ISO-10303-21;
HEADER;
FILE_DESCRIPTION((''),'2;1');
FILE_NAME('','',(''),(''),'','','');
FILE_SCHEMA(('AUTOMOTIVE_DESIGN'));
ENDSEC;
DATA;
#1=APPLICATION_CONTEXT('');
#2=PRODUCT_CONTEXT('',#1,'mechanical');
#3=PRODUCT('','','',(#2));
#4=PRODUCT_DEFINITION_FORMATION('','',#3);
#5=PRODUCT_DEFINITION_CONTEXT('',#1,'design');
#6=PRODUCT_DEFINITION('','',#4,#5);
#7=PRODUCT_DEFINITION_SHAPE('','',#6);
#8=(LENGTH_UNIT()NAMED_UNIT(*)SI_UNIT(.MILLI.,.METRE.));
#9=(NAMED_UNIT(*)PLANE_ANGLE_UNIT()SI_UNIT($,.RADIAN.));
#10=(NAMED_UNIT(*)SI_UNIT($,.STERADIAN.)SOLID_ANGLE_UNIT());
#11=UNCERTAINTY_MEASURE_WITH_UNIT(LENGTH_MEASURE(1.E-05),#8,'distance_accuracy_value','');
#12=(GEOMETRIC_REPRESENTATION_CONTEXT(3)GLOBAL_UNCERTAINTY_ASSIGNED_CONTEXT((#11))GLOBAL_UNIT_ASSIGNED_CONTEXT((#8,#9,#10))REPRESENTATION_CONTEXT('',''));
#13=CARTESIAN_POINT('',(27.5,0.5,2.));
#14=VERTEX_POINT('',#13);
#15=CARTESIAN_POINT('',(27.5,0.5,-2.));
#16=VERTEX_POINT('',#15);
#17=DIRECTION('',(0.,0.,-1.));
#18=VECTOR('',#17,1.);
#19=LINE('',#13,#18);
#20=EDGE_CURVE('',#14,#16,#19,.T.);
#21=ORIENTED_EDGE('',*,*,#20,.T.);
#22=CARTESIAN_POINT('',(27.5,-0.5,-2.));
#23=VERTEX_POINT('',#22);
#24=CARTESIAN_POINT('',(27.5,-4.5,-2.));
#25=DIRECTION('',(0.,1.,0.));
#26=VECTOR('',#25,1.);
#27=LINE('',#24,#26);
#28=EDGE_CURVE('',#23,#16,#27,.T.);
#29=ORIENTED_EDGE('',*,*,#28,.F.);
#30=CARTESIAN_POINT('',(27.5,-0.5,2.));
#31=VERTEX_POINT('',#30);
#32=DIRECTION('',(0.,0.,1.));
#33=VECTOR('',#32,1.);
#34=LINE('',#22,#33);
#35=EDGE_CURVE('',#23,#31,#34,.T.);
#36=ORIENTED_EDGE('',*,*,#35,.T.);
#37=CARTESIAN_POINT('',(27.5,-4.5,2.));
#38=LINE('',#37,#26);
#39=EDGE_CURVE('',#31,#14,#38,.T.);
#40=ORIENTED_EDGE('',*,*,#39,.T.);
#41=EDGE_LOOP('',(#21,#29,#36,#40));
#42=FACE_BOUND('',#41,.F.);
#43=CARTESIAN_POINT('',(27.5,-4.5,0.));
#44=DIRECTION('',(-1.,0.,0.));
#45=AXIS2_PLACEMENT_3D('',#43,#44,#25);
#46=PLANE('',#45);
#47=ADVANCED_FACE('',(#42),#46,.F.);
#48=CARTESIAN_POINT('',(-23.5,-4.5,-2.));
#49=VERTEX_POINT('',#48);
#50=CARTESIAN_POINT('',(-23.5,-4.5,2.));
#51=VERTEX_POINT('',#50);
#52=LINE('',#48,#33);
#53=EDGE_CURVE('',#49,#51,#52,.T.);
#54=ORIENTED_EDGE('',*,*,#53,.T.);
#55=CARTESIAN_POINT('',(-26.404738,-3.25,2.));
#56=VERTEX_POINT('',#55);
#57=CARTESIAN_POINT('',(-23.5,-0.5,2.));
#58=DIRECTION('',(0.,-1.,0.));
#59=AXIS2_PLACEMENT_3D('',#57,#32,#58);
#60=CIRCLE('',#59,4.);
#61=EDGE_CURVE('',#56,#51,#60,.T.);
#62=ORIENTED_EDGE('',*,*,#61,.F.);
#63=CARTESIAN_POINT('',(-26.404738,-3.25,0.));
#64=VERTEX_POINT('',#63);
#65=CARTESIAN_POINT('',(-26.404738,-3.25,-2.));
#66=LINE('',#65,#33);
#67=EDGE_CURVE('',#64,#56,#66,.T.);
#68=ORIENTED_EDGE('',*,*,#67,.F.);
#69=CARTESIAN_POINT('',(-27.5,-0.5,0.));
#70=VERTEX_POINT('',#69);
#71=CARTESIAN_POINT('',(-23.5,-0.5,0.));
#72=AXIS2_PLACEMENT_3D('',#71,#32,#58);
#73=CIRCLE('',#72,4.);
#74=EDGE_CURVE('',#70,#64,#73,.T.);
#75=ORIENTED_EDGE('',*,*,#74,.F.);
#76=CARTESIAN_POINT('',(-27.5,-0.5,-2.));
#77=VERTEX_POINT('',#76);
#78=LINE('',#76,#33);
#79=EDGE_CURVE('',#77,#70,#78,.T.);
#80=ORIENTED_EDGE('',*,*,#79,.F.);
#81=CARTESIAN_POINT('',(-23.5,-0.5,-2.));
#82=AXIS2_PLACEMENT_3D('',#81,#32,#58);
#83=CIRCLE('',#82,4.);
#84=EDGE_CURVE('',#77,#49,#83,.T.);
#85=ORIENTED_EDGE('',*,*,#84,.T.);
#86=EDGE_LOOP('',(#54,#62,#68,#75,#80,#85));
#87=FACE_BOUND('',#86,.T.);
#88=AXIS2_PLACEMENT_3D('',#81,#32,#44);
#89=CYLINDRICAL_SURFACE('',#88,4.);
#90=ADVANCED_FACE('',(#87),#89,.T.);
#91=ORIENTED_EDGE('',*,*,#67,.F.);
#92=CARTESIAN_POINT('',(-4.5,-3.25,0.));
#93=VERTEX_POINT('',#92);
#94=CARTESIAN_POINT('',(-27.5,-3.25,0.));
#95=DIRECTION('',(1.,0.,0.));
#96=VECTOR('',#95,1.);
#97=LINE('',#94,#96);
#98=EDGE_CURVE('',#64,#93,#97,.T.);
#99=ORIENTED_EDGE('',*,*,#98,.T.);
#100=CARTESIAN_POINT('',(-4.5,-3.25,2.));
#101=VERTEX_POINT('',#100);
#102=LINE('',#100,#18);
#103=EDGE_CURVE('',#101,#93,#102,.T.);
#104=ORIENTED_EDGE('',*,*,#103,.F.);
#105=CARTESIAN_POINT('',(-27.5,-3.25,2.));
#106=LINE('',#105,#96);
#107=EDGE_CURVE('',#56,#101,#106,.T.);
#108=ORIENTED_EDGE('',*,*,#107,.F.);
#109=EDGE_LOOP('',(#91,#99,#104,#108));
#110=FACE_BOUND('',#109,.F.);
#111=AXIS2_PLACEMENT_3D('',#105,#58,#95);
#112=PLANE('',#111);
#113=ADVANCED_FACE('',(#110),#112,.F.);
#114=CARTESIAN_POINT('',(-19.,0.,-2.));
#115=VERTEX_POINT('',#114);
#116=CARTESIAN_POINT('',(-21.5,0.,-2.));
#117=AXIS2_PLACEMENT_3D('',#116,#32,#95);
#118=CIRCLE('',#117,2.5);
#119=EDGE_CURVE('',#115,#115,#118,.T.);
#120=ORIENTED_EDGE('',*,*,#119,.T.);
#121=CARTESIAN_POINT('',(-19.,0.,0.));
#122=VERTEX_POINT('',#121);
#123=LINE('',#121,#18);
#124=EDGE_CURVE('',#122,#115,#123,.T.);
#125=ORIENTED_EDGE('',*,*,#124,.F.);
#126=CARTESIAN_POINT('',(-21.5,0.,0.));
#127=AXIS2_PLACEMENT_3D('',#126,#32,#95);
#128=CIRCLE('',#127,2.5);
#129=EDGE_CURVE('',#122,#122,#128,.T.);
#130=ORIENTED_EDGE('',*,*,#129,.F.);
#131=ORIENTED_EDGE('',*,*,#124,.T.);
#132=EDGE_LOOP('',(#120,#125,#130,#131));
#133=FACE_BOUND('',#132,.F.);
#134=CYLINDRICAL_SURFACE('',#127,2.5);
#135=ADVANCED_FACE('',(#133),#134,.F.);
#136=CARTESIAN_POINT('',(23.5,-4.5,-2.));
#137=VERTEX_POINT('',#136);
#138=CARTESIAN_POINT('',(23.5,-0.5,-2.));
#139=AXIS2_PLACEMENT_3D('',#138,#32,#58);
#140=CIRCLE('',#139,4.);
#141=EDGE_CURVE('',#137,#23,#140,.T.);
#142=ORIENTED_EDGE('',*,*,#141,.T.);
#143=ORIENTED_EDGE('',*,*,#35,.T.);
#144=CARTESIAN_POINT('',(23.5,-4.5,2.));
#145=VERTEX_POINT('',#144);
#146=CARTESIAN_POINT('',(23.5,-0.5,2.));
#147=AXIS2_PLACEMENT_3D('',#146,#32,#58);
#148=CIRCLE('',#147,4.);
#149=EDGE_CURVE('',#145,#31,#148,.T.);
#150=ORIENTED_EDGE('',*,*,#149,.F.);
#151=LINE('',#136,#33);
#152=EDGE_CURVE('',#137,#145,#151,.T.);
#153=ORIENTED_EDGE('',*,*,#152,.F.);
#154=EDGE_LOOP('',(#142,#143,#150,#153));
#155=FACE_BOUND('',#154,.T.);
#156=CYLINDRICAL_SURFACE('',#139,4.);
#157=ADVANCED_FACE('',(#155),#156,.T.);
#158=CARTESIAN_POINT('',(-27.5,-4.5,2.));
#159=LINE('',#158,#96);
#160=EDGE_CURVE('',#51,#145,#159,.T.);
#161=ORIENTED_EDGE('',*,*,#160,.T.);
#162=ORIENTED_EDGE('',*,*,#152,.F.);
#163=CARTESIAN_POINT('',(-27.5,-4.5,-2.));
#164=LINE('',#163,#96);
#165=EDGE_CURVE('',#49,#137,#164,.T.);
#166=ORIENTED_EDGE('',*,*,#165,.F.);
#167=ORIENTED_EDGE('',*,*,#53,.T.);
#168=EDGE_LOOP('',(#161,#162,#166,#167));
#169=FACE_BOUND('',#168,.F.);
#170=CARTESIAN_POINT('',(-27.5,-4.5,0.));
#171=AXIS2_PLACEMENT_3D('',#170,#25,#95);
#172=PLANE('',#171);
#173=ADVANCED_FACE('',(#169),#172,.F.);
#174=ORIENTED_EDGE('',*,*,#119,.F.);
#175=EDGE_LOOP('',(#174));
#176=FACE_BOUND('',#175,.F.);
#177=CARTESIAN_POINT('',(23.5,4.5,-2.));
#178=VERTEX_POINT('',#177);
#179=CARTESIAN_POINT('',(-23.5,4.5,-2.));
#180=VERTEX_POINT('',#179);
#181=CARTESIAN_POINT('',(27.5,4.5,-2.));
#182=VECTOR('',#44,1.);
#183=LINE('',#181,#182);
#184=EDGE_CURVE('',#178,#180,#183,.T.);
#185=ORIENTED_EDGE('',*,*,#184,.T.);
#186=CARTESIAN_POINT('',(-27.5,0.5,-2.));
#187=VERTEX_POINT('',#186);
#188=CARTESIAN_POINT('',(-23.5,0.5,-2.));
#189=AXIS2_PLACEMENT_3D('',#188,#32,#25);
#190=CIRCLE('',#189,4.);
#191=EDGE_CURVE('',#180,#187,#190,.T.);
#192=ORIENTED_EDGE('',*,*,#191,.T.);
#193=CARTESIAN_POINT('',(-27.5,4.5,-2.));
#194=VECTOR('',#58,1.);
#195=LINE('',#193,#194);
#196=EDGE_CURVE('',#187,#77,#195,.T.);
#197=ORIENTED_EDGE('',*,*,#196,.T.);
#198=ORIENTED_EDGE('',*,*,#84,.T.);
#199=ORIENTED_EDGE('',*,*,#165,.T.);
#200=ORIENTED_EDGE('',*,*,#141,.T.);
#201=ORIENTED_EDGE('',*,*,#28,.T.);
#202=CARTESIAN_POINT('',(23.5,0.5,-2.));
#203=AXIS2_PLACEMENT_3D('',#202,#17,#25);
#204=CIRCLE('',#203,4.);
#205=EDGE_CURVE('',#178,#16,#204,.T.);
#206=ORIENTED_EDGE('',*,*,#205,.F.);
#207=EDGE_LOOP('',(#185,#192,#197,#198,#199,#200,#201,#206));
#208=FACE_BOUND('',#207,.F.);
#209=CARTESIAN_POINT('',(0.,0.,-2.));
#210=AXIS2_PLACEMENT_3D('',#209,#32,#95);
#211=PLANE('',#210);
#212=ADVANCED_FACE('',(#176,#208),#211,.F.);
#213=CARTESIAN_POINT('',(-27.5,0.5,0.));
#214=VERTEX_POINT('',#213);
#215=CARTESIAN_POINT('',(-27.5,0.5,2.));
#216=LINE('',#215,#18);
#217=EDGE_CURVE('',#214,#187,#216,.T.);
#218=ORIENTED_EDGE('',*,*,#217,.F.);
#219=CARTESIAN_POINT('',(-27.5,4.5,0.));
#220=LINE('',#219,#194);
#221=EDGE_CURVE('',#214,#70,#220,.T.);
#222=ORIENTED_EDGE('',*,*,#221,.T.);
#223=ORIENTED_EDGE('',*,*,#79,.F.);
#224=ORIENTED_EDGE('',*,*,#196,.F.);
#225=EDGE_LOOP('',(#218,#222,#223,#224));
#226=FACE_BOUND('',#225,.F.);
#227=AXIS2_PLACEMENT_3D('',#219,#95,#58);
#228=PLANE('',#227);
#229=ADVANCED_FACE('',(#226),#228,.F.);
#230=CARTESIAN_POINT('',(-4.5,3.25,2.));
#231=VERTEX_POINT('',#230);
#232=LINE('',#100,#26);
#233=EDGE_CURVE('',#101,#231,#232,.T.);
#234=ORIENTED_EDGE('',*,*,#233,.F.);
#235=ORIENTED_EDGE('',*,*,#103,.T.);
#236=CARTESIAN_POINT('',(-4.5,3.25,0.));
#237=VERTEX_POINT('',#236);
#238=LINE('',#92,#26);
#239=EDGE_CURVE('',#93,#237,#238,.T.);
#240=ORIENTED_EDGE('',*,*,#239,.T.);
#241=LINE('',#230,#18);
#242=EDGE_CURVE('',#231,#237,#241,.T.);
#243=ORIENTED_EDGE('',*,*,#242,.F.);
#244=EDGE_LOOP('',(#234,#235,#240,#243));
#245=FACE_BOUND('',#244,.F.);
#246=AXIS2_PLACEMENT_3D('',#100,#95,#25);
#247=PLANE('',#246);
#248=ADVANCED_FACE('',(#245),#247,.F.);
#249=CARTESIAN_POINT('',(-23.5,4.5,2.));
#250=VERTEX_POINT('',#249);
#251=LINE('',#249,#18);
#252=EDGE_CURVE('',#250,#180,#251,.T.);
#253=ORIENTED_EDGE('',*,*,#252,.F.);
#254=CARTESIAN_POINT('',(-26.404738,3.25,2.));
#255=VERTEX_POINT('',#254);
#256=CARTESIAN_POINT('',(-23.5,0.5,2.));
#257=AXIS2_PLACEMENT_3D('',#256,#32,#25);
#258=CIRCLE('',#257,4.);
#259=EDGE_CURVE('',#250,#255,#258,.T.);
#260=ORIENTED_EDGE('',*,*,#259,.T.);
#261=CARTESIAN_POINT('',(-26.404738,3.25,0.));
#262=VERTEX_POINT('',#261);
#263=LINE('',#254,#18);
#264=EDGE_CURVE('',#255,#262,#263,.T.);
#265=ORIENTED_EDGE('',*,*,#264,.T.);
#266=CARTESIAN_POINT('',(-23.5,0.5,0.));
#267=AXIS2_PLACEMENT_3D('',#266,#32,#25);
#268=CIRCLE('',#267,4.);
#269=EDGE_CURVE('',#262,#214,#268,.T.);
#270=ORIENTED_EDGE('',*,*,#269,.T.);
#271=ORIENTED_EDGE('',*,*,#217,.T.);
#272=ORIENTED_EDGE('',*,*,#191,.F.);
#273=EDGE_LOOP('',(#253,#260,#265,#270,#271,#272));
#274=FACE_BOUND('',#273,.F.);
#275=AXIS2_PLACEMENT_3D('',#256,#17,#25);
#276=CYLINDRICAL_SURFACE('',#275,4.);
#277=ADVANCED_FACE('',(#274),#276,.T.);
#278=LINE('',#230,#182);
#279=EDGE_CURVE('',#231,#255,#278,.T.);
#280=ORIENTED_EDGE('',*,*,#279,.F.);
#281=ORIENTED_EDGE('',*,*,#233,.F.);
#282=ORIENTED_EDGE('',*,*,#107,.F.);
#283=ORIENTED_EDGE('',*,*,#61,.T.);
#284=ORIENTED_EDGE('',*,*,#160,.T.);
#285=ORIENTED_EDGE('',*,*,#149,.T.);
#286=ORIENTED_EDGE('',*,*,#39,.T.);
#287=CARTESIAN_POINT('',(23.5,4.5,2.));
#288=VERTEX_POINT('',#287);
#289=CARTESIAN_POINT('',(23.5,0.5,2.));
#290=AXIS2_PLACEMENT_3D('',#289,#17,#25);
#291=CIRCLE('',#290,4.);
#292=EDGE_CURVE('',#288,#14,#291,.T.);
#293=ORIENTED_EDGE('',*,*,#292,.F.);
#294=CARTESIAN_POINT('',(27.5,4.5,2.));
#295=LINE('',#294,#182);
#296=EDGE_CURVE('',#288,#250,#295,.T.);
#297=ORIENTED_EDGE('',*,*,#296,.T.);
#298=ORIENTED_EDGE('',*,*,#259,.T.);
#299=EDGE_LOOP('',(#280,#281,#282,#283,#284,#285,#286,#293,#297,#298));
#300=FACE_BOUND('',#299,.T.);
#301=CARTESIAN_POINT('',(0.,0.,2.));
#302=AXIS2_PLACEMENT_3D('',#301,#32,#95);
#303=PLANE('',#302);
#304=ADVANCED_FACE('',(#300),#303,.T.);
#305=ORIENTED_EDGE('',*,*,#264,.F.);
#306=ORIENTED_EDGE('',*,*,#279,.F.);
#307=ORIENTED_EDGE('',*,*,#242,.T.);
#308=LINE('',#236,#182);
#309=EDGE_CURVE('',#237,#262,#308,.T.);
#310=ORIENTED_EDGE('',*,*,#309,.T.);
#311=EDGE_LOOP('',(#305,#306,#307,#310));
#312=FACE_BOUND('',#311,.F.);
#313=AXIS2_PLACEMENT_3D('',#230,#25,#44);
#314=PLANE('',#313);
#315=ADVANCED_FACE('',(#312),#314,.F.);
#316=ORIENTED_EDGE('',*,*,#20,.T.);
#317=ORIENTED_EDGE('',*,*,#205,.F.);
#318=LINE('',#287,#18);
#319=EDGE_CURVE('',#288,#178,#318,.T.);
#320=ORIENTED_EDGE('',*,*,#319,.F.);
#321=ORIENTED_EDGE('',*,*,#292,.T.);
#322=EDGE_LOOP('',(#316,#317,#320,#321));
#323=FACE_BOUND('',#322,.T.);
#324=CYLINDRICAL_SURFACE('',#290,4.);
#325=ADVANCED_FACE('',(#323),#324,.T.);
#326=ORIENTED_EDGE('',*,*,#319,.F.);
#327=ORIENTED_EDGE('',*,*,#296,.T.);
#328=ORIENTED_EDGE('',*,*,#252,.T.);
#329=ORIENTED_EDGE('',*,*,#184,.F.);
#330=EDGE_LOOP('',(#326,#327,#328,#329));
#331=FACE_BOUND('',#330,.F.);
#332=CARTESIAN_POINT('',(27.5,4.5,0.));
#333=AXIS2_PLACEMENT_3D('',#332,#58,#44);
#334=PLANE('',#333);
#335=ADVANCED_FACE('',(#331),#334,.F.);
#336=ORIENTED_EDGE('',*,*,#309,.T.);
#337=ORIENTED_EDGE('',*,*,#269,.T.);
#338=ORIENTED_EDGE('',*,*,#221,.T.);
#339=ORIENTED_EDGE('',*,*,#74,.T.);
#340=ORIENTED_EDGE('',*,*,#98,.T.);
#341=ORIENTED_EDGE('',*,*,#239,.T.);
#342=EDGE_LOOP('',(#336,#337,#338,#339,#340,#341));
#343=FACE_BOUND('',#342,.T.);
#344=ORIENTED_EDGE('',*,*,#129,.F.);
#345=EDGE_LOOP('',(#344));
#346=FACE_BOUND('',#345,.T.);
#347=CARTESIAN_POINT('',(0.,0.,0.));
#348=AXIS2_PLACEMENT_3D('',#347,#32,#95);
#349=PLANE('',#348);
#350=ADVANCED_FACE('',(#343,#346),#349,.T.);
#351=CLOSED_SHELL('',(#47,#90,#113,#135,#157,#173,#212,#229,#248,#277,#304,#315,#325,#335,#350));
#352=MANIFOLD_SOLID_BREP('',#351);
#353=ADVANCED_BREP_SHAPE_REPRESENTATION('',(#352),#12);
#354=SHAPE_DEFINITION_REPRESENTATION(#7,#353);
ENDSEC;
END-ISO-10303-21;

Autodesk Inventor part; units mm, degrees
ref_plane "YZ Plane" through (0, 0, 0) normal (1, 0, 0) x (0, 1, 0)
ref_plane "XZ Plane" through (0, 0, 0) normal (0, 1, 0) x (-1, 0, 0)
ref_plane "XY Plane" through (0, 0, 0) normal (0, 0, 1) x (1, 0, 0)
sketch "Sketch1" plane through (0, 0, 0) normal (0, 0, 1) x (1, 0, 0)
  line L0 (-27.5, -4.5) -> (27.5, -4.5)
  line L1 (27.5, -4.5) -> (27.5, 4.5)
  line L2 (27.5, 4.5) -> (-27.5, 4.5)
  line L3 (-27.5, 4.5) -> (-27.5, -4.5)
  line L4 (-27.5, -4.5) -> (27.5, 4.5) construction
  line L5 (27.5, -4.5) -> (-27.5, 4.5) construction
  point P0 (0, 0)
  dimension "d0" = 55
  dimension "d1" = 9
extrude "Extrusion1" add sketch "Sketch1" along normal mid plane 4
sketch "Sketch2" plane through (0, 0, 2) normal (0, 0, 1) x (1, 0, 0)
  line L0 (-27.5, 4.5) -> (-27.5, -4.5) projected
  line L1 (-27.5, -3.25) -> (-4.5, -3.25)
  line L2 (-4.5, -3.25) -> (-4.5, 3.25)
  line L3 (-4.5, 3.25) -> (-27.5, 3.25)
  line L4 (-27.5, 3.25) -> (-27.5, -3.25)
  point P0 (0, 0)
  point P1 (-4.5, 0)
  dimension "d4" = 23
  dimension "d5" = 6.5
extrude "Extrusion2" cut sketch "Sketch2" against normal blind 2
sketch "Sketch3" plane through (0, 0, 0) normal (0, 0, 1) x (1, 0, 0)
  circle A0 centre (-21.5, 0) radius 2.5
  line L0 (-27.5, -3.25) -> (-27.5, 3.25) projected
  point P0 (0, 0)
  dimension "d8" = 5
  dimension "d13" = 6
extrude "Extrusion3" cut sketch "Sketch3" against normal blind 2
fillet "Fillet1" radius 4 2 edges at (27.5, 4.5, 0) (27.5, -4.5, 0)
fillet "Fillet2" radius 4 2 edges at (-27.5, 4.5, 0) (-27.5, -4.5, 0)
properties part number "Servo Arm"
